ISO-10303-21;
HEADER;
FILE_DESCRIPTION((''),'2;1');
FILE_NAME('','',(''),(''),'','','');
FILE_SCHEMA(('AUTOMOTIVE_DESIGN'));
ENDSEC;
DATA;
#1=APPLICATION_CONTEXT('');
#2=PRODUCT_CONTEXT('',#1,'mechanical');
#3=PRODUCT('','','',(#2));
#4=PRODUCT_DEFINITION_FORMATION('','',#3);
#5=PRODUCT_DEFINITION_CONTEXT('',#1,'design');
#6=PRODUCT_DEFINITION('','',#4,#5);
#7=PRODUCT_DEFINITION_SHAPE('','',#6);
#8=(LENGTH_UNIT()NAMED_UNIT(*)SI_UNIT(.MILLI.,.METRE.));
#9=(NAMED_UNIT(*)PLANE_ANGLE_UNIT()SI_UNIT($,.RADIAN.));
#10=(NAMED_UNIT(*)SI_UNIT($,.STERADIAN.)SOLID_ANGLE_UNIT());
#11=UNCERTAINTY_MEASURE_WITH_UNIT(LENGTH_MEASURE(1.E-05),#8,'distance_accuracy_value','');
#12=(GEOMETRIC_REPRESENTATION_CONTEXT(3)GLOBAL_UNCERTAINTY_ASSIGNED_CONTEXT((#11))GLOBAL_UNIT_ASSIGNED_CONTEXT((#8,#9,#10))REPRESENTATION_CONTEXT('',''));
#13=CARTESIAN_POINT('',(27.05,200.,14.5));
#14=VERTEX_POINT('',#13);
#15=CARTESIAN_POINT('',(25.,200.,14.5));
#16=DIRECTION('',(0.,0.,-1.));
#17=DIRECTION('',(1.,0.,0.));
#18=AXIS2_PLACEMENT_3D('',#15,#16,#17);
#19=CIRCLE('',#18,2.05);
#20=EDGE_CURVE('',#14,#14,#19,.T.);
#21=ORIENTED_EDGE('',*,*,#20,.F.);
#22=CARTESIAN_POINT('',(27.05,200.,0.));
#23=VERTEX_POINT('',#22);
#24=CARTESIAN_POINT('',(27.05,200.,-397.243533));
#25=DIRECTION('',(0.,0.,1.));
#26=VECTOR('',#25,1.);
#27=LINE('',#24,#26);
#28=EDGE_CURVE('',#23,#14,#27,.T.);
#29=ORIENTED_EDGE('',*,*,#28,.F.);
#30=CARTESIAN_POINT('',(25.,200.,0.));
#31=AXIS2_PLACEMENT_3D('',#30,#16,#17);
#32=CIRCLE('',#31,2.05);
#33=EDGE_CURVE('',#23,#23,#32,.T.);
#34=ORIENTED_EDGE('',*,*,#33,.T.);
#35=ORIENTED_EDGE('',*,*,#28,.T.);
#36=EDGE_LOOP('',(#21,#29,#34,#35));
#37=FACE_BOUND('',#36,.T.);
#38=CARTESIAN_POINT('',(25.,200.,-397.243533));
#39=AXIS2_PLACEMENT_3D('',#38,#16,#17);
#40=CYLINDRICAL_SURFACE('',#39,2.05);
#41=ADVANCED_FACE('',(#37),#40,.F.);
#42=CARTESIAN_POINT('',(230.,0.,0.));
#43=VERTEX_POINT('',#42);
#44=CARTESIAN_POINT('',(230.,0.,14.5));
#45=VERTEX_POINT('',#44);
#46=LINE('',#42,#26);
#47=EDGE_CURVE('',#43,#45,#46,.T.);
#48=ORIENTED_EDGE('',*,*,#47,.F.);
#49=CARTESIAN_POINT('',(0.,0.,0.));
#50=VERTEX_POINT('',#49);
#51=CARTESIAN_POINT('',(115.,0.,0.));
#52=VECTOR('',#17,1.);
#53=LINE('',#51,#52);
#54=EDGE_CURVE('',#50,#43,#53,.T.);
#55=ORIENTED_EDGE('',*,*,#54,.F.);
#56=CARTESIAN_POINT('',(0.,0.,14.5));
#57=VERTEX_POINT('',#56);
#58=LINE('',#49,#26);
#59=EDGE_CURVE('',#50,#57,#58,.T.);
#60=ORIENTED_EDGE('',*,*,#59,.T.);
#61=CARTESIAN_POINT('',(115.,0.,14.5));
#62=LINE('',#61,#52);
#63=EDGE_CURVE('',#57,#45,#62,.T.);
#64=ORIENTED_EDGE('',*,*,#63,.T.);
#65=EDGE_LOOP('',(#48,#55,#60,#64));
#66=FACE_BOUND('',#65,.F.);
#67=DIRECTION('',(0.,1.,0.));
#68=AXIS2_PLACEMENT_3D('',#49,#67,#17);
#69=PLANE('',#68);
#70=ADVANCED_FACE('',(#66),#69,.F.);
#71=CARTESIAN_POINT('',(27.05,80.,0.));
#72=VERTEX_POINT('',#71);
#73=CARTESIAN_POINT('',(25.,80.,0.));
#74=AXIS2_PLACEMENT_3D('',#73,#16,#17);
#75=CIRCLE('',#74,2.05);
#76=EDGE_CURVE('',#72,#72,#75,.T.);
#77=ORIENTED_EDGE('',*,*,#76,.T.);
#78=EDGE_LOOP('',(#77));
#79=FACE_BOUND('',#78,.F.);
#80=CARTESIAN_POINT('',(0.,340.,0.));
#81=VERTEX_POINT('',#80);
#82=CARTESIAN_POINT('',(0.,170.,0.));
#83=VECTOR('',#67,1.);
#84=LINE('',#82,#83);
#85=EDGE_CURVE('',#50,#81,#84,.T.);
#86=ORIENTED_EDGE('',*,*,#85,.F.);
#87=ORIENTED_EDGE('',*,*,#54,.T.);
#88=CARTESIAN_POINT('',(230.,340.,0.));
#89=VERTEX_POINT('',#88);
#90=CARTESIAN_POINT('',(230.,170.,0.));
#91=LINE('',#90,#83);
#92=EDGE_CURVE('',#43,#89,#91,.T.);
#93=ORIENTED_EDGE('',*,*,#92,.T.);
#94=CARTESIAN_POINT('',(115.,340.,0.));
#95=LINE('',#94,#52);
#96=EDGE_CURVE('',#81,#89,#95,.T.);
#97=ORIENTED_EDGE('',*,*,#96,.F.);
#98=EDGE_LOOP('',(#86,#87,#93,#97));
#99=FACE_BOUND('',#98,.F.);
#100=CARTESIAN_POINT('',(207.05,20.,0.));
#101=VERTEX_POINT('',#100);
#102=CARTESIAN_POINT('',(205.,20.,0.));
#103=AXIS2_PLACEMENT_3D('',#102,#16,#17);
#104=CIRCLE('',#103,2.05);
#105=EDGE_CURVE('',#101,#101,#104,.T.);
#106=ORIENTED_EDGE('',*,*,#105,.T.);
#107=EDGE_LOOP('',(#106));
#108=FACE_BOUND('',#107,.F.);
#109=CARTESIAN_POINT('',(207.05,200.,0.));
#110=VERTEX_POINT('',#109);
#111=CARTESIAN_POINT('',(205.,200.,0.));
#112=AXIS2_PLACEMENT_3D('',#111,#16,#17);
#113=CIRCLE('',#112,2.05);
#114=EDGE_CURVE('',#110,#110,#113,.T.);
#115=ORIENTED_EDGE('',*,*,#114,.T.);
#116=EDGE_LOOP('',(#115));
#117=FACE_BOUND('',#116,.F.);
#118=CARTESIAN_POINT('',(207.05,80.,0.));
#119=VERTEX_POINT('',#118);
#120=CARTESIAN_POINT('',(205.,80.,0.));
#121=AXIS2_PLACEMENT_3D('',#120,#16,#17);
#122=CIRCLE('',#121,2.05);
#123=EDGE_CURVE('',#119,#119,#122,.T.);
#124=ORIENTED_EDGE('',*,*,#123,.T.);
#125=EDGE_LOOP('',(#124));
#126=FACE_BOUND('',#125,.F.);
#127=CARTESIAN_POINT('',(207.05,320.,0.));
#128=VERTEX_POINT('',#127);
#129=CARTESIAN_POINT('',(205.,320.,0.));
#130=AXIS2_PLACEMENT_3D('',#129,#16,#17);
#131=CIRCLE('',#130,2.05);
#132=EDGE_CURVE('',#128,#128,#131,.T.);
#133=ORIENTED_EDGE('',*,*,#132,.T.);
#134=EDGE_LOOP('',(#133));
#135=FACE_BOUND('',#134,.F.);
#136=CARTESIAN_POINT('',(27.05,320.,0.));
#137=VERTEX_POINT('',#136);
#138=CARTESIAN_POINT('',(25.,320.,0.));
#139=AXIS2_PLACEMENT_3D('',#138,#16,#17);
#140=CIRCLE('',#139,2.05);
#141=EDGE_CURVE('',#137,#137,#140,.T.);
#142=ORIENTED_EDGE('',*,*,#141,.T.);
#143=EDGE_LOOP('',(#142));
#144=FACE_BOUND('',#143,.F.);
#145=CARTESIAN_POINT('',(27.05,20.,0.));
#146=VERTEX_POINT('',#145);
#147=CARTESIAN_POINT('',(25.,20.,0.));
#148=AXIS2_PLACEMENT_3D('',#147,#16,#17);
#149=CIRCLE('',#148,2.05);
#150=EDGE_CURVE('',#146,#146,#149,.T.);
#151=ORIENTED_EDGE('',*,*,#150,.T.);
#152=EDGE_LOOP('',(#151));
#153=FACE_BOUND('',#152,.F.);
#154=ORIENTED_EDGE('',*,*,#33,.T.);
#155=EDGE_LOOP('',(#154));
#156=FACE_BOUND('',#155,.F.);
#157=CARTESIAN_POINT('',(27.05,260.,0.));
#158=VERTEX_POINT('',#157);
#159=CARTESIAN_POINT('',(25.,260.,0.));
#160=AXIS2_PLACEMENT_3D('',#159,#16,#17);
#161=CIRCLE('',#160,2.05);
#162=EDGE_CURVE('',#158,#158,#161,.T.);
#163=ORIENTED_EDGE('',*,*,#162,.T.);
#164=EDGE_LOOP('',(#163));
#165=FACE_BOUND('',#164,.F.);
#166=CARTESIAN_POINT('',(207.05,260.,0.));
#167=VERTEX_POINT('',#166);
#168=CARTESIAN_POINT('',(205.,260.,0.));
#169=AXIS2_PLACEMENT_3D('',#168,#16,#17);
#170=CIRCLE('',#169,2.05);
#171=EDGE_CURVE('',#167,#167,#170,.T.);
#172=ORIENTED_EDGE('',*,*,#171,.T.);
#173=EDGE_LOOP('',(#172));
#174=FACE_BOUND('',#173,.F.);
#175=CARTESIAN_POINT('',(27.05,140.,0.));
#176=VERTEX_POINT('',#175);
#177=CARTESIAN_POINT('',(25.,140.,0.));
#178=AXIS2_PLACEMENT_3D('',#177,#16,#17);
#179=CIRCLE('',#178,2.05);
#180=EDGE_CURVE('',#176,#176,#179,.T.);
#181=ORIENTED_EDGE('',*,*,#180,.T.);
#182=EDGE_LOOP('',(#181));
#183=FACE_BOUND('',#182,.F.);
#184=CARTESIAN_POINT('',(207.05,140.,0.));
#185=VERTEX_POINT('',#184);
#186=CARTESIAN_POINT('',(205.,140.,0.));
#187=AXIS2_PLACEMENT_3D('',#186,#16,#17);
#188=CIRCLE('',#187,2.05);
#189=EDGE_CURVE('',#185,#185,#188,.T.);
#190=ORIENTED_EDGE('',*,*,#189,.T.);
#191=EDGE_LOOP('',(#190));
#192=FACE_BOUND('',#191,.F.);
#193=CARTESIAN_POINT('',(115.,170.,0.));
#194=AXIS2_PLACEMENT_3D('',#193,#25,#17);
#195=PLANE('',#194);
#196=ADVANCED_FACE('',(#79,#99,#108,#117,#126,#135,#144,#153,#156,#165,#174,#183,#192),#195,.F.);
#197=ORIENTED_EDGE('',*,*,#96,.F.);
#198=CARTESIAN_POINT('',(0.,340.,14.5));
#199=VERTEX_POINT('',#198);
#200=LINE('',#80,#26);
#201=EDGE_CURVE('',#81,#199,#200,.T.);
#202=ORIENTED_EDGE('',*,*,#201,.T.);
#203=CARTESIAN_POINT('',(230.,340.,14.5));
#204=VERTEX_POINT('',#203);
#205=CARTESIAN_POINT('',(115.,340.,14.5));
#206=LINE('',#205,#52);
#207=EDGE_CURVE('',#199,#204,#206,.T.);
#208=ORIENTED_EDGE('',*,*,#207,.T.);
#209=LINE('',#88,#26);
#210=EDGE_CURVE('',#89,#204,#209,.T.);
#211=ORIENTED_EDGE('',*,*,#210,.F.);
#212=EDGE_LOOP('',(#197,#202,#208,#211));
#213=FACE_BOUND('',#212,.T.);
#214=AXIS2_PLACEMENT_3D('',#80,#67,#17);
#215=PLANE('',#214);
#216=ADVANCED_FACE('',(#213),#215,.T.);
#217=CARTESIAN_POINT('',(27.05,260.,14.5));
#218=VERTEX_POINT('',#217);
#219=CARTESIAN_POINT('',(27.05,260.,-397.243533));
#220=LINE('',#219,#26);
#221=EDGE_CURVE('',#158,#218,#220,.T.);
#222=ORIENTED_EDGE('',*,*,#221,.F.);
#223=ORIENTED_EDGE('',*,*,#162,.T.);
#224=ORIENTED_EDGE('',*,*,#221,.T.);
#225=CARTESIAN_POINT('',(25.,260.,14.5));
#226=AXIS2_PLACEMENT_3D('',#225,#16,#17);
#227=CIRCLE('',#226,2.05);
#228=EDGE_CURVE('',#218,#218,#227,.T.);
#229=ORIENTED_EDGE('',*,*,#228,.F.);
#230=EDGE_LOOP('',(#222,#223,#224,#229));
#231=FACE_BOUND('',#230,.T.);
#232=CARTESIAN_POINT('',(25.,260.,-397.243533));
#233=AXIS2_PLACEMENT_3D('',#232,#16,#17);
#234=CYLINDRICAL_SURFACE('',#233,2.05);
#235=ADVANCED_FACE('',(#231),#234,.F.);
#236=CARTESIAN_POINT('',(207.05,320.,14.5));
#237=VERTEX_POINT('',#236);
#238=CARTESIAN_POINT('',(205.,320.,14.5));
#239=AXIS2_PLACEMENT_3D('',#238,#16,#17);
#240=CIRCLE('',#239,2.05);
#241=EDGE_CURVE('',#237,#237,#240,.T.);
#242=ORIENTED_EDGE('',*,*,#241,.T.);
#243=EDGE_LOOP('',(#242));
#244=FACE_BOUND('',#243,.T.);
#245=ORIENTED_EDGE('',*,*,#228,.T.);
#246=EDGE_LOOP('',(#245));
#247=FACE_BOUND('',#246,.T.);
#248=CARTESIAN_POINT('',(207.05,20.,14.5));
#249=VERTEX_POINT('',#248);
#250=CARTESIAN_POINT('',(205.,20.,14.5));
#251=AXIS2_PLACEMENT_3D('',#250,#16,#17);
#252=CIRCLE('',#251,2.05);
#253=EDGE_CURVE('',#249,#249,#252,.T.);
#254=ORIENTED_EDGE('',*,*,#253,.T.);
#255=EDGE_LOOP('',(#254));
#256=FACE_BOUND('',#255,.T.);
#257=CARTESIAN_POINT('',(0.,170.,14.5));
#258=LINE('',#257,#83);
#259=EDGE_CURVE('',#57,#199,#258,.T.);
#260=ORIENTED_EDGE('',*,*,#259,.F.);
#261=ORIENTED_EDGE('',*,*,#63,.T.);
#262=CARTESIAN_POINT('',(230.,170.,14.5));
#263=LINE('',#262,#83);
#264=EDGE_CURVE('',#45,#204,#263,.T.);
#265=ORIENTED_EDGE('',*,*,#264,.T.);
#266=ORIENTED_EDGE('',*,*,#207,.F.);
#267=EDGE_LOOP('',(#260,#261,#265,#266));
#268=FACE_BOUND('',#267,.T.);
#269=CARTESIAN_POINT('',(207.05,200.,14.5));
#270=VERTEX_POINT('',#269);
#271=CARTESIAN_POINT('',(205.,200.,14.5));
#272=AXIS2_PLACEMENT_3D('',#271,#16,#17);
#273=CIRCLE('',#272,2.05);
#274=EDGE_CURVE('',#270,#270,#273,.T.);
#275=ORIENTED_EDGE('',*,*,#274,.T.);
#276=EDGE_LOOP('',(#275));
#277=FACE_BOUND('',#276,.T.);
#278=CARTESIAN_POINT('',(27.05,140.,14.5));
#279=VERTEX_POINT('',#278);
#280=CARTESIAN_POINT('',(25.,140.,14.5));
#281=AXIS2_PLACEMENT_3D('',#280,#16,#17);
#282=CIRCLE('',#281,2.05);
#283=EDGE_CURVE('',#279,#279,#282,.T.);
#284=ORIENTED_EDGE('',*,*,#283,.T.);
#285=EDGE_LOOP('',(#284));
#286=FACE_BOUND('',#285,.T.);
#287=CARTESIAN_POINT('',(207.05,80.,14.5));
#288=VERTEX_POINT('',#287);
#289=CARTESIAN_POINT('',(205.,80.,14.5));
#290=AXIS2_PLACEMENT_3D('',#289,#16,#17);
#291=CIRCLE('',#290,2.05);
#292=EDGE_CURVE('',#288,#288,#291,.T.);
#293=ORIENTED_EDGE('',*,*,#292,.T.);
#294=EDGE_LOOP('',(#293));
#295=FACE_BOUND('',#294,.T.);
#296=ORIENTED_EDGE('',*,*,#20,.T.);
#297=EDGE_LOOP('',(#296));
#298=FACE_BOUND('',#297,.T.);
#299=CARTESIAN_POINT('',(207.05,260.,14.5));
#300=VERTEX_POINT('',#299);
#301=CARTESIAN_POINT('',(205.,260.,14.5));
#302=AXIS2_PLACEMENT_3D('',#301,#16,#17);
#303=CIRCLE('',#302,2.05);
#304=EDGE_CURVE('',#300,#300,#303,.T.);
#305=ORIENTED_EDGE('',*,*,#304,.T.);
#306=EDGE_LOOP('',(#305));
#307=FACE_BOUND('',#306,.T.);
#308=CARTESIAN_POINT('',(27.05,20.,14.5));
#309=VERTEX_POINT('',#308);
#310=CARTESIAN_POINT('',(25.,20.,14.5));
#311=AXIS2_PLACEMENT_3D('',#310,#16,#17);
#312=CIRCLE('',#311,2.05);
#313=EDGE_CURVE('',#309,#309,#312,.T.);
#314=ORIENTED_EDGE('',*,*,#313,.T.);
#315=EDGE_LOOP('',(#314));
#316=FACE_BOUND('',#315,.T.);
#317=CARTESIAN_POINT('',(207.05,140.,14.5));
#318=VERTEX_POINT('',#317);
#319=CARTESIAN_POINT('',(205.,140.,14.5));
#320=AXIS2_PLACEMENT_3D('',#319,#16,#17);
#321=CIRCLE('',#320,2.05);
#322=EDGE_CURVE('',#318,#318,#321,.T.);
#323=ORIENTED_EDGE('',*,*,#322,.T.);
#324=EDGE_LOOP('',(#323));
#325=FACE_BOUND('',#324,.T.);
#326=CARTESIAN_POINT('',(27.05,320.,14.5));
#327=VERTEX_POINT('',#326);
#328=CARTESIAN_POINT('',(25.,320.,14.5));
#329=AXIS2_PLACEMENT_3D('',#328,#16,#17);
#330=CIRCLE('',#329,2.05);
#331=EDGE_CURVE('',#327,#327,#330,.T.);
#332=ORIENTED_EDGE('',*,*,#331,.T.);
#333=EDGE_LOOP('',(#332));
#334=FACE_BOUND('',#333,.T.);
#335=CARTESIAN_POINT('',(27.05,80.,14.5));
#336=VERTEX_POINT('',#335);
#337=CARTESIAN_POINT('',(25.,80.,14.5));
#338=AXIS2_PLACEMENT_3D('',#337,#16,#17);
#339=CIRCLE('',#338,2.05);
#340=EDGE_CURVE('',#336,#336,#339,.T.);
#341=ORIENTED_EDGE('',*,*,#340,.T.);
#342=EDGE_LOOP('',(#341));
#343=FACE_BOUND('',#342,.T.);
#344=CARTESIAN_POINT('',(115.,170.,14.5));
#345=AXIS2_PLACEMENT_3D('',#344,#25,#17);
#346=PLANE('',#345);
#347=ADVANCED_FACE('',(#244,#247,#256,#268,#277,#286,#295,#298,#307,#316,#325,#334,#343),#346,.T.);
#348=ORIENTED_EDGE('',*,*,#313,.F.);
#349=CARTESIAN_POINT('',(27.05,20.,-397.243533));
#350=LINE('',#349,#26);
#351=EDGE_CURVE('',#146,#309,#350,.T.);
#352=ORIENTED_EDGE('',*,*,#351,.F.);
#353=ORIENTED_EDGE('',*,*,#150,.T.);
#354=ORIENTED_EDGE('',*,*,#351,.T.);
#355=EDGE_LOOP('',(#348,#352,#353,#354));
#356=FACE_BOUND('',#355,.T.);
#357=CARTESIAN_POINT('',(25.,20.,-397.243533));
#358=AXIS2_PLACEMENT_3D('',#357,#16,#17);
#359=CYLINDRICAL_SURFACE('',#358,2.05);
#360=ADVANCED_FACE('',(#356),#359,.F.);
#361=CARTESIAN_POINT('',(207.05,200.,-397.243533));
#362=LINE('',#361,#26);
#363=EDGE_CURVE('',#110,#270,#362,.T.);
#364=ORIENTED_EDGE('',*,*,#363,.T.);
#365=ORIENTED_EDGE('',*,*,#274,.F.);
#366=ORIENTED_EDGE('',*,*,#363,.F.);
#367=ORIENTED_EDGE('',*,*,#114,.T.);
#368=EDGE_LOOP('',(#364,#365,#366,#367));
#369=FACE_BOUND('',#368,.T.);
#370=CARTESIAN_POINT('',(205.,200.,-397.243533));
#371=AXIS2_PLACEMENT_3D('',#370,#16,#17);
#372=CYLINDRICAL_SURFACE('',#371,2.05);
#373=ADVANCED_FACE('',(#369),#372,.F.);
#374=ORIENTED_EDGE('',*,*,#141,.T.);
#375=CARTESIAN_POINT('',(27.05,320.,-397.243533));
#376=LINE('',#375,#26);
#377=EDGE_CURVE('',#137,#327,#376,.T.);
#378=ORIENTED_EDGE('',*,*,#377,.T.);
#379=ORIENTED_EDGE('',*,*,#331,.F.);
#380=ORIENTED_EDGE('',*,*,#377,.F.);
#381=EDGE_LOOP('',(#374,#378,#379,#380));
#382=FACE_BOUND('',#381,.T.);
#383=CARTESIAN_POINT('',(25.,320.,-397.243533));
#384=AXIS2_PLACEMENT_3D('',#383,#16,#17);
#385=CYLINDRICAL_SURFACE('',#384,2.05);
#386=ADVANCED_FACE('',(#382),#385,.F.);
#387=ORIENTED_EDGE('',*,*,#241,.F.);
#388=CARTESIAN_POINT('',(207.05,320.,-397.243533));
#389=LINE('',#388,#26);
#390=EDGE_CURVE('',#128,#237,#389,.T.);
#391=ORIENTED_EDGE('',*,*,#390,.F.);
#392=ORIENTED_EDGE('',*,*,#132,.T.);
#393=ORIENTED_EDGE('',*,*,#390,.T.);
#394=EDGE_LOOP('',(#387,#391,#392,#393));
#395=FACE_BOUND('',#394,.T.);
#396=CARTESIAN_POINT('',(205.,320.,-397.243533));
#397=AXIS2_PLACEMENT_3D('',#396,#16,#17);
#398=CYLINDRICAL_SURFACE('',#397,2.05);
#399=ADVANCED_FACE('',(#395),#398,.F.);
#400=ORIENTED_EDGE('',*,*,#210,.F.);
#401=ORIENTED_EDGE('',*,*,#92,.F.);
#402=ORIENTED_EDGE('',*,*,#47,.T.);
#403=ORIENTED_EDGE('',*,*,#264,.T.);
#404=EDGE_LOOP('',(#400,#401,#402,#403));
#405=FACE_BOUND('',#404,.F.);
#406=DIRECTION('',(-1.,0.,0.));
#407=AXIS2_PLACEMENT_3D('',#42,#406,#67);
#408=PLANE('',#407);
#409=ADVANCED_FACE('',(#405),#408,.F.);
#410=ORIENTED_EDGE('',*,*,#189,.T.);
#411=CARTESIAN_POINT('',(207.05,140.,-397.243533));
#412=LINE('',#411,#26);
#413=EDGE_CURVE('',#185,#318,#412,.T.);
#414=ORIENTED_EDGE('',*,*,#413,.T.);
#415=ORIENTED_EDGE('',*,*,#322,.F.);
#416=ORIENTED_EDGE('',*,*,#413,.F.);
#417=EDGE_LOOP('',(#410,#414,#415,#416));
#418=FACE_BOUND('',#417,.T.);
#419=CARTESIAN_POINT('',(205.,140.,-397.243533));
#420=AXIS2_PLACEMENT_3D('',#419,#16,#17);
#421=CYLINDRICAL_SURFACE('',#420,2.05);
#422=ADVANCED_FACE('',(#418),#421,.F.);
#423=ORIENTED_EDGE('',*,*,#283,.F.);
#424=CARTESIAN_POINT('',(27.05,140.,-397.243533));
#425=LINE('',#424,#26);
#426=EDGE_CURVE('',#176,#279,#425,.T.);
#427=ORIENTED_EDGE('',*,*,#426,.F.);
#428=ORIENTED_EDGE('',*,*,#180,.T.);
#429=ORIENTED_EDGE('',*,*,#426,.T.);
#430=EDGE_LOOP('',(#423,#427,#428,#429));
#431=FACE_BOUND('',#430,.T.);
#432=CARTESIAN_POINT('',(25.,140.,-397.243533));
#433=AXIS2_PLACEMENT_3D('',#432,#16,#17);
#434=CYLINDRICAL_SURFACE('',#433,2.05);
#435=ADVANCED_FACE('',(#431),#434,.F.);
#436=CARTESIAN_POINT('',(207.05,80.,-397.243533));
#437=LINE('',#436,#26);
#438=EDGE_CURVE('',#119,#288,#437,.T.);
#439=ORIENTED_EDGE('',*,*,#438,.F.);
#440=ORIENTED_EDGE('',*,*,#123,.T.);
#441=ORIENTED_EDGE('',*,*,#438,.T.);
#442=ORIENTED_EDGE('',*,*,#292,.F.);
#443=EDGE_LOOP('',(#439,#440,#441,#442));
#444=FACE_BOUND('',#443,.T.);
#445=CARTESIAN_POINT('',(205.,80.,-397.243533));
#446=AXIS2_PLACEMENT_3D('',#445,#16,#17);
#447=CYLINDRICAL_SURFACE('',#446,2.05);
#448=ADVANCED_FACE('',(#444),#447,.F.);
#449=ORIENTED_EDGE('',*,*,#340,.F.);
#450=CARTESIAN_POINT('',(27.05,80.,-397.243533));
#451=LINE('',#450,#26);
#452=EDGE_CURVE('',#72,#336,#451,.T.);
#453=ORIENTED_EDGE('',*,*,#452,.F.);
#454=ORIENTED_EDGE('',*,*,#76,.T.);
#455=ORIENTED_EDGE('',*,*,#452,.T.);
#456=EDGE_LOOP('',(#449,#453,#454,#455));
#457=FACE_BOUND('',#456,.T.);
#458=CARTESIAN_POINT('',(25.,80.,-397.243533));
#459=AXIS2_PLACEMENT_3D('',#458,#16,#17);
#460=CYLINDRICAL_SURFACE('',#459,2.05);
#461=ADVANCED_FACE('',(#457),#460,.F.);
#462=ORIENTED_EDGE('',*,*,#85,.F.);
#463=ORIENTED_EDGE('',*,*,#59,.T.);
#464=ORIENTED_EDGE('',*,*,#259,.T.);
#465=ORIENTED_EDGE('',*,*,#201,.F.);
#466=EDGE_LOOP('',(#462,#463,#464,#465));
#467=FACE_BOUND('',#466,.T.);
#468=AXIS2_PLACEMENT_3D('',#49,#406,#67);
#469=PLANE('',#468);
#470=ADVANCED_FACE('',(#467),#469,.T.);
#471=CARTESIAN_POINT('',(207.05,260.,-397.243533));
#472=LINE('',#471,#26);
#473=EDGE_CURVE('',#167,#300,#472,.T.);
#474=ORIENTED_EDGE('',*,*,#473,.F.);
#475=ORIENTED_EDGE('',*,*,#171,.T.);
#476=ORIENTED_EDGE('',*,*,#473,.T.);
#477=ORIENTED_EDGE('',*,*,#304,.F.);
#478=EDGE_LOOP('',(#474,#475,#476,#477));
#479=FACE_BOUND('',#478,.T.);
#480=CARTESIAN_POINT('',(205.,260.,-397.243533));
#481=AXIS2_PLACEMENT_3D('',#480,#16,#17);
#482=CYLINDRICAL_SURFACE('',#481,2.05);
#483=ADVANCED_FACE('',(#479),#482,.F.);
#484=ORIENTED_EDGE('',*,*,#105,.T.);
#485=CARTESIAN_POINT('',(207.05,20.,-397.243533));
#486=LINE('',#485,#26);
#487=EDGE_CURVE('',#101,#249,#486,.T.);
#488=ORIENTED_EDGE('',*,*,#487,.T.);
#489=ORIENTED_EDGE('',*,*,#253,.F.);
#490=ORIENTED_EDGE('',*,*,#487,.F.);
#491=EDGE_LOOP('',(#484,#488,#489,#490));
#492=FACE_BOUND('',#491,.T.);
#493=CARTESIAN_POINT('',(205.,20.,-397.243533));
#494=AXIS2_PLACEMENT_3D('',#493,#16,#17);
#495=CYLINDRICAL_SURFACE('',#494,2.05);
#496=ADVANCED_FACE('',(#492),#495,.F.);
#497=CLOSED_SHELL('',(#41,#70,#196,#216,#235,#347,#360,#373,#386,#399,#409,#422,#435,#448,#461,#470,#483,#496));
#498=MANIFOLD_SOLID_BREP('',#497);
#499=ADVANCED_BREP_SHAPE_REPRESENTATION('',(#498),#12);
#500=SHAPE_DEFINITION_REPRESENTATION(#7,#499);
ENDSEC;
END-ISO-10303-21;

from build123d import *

# Parameters (mm, degrees)
ESQUISSE1_W                  = 230
ESQUISSE1_H                  = 340
BOSS_EXTRU_1_DEPTH           = 14.5
ENL_V_MAT_EXTRU_1_DEPTH      = 411.74353312
ENL_V_MAT_EXTRU_1_DEPTH_BACK = 411.74353312
ESQUISSE2_R                  = 2.05


with BuildPart() as part:
    # Esquisse1 → Boss.-Extru.1 (new body)
    with BuildSketch(Plane.XY):
        with Locations((115, 170)):
            Rectangle(ESQUISSE1_W, ESQUISSE1_H)
    extrude(amount=BOSS_EXTRU_1_DEPTH)

    # Esquisse2 → Enlèv. mat.-Extru.1 (cut, two sides: drawn at the far end of the back side and taken through both)
    with BuildSketch(Plane.XY.offset(14.5).offset(-ENL_V_MAT_EXTRU_1_DEPTH_BACK)):
        with Locations((25, 20)):
            Circle(ESQUISSE2_R)
        with Locations((25, 80)):
            Circle(ESQUISSE2_R)
        with Locations((25, 140)):
            Circle(ESQUISSE2_R)
        with Locations((25, 200)):
            Circle(ESQUISSE2_R)
        with Locations((25, 260)):
            Circle(ESQUISSE2_R)
        with Locations((25, 320)):
            Circle(ESQUISSE2_R)
        with Locations((205, 320)):
            Circle(ESQUISSE2_R)
        with Locations((205, 260)):
            Circle(ESQUISSE2_R)
        with Locations((205, 200)):
            Circle(ESQUISSE2_R)
        with Locations((205, 140)):
            Circle(ESQUISSE2_R)
        with Locations((205, 80)):
            Circle(ESQUISSE2_R)
        with Locations((205, 20)):
            Circle(ESQUISSE2_R)
    extrude(amount=ENL_V_MAT_EXTRU_1_DEPTH + ENL_V_MAT_EXTRU_1_DEPTH_BACK, mode=Mode.SUBTRACT)


solid = part.part
